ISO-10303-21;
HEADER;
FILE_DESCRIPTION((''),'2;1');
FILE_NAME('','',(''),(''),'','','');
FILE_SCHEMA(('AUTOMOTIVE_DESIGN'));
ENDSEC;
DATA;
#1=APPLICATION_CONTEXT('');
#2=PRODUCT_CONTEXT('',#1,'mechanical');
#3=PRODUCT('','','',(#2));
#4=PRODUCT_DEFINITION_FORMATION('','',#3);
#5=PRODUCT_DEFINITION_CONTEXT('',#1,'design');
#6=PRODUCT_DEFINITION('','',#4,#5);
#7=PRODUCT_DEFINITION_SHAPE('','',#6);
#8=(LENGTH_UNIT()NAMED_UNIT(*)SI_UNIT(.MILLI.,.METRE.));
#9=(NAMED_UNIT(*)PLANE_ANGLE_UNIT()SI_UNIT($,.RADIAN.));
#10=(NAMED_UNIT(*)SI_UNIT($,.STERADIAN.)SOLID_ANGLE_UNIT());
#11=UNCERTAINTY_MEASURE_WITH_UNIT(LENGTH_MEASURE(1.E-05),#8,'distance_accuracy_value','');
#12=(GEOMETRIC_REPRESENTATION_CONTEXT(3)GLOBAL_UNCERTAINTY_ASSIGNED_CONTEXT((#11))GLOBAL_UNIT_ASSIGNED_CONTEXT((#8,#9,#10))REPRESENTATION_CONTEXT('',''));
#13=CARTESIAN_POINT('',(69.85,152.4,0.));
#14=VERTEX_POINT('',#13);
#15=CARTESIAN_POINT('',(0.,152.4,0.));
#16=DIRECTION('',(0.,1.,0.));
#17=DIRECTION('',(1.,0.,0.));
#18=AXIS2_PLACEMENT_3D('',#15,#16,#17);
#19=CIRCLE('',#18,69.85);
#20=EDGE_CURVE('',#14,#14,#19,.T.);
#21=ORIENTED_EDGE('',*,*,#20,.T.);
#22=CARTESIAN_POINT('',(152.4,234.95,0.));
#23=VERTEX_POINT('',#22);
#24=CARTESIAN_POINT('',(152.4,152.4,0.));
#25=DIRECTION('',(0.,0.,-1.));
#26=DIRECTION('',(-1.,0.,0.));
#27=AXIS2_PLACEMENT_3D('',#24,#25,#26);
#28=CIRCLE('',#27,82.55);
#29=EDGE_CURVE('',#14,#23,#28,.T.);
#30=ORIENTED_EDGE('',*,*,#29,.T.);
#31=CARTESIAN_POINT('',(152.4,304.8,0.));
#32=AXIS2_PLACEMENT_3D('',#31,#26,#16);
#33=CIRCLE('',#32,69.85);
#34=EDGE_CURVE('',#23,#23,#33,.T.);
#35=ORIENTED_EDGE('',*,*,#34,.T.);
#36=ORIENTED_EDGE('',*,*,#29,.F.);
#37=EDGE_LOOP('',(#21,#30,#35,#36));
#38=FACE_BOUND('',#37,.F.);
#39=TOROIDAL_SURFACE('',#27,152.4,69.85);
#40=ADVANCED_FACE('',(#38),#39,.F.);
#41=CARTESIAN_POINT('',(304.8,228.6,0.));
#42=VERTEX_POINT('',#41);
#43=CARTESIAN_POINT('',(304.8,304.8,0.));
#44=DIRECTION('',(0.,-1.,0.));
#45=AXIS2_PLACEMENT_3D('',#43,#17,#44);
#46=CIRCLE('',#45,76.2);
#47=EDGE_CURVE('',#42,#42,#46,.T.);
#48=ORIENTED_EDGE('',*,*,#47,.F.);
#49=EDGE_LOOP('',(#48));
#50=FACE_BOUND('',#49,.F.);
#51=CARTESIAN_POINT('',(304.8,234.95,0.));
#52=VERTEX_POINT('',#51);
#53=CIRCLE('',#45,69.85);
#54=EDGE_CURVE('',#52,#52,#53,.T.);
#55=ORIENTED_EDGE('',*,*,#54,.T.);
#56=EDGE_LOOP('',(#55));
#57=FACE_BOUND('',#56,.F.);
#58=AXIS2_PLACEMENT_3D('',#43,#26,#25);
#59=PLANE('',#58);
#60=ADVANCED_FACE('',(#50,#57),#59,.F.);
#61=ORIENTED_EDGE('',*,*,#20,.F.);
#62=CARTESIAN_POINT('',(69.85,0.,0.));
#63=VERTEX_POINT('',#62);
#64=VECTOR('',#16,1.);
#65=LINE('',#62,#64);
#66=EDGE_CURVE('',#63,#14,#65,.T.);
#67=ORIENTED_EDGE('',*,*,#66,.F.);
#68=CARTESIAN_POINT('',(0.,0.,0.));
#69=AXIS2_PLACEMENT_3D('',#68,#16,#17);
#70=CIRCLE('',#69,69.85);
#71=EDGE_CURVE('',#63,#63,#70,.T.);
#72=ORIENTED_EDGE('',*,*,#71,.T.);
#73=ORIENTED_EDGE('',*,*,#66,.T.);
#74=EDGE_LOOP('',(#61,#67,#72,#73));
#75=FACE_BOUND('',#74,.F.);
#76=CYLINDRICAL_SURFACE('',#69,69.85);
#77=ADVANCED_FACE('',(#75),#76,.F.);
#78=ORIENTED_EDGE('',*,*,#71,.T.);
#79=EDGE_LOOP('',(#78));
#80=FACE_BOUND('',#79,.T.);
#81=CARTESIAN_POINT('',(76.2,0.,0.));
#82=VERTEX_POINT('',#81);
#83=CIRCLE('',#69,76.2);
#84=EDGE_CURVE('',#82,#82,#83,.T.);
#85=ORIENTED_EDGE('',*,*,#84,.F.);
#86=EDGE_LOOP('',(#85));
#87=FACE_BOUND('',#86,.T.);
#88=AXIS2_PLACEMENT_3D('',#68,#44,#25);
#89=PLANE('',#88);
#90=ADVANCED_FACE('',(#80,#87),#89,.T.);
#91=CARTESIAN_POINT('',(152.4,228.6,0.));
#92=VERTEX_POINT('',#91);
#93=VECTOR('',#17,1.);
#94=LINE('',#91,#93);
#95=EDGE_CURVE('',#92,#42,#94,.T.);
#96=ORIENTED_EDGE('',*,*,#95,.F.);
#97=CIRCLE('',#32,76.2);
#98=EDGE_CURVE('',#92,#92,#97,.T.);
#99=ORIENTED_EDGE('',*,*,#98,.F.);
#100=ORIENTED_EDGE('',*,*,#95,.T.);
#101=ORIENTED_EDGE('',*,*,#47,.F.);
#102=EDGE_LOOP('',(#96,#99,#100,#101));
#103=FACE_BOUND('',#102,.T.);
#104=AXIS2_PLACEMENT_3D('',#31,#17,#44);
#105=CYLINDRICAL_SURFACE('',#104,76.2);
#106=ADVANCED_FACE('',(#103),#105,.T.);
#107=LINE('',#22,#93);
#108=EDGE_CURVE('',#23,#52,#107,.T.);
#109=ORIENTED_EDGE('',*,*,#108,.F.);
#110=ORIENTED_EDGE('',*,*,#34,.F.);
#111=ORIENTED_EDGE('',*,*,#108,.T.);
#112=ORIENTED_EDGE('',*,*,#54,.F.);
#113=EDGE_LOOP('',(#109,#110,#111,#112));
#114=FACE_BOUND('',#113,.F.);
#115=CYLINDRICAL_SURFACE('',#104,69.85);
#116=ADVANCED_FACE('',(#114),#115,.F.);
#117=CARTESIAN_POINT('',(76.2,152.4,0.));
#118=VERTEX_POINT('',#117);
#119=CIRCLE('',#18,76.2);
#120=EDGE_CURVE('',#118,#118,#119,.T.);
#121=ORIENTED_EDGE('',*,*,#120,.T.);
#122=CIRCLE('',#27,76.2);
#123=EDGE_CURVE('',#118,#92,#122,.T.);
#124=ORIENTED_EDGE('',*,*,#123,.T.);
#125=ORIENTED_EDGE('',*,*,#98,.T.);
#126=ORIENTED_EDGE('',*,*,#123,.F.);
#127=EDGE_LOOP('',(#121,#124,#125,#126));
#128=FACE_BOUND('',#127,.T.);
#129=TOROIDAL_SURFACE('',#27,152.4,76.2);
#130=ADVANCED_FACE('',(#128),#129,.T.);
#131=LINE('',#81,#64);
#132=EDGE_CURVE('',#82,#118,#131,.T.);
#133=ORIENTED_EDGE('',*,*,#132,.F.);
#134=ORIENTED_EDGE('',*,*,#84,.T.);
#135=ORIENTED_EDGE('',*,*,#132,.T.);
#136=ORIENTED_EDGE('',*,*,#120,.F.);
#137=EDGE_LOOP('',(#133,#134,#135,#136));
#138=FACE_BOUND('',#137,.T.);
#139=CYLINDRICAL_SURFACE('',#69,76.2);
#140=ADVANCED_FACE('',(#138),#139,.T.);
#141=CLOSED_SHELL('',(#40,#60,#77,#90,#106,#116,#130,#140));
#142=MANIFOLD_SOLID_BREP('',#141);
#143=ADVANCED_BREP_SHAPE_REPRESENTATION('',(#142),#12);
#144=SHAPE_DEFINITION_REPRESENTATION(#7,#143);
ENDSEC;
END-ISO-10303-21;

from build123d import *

# Parameters (mm, degrees)
F0_R = 76.2
F3_T = -6.35


with BuildPart() as f2:
    # F2: sweep along a path in F1
    with BuildLine(Plane.XY) as f2_path:
        Line((0, 0), (0, 152.4))
        ThreePointArc((0, 152.4), (44.6369265472, 260.1630734528), (152.4, 304.8))
        Line((152.4, 304.8), (304.8, 304.8))
    # F0 (on Front) → F2 (sweep)
    with BuildSketch(Plane.XZ):
        Circle(F0_R)
    sweep(path=f2_path.line)

    # F3
    f3_openings = [f2.faces().sort_by_distance(p)[0] for p in [
        (0, 0, 0),
        (304.8, 304.8, 0),
    ]]
    offset(amount=F3_T, openings=f3_openings)


solid = f2.part
